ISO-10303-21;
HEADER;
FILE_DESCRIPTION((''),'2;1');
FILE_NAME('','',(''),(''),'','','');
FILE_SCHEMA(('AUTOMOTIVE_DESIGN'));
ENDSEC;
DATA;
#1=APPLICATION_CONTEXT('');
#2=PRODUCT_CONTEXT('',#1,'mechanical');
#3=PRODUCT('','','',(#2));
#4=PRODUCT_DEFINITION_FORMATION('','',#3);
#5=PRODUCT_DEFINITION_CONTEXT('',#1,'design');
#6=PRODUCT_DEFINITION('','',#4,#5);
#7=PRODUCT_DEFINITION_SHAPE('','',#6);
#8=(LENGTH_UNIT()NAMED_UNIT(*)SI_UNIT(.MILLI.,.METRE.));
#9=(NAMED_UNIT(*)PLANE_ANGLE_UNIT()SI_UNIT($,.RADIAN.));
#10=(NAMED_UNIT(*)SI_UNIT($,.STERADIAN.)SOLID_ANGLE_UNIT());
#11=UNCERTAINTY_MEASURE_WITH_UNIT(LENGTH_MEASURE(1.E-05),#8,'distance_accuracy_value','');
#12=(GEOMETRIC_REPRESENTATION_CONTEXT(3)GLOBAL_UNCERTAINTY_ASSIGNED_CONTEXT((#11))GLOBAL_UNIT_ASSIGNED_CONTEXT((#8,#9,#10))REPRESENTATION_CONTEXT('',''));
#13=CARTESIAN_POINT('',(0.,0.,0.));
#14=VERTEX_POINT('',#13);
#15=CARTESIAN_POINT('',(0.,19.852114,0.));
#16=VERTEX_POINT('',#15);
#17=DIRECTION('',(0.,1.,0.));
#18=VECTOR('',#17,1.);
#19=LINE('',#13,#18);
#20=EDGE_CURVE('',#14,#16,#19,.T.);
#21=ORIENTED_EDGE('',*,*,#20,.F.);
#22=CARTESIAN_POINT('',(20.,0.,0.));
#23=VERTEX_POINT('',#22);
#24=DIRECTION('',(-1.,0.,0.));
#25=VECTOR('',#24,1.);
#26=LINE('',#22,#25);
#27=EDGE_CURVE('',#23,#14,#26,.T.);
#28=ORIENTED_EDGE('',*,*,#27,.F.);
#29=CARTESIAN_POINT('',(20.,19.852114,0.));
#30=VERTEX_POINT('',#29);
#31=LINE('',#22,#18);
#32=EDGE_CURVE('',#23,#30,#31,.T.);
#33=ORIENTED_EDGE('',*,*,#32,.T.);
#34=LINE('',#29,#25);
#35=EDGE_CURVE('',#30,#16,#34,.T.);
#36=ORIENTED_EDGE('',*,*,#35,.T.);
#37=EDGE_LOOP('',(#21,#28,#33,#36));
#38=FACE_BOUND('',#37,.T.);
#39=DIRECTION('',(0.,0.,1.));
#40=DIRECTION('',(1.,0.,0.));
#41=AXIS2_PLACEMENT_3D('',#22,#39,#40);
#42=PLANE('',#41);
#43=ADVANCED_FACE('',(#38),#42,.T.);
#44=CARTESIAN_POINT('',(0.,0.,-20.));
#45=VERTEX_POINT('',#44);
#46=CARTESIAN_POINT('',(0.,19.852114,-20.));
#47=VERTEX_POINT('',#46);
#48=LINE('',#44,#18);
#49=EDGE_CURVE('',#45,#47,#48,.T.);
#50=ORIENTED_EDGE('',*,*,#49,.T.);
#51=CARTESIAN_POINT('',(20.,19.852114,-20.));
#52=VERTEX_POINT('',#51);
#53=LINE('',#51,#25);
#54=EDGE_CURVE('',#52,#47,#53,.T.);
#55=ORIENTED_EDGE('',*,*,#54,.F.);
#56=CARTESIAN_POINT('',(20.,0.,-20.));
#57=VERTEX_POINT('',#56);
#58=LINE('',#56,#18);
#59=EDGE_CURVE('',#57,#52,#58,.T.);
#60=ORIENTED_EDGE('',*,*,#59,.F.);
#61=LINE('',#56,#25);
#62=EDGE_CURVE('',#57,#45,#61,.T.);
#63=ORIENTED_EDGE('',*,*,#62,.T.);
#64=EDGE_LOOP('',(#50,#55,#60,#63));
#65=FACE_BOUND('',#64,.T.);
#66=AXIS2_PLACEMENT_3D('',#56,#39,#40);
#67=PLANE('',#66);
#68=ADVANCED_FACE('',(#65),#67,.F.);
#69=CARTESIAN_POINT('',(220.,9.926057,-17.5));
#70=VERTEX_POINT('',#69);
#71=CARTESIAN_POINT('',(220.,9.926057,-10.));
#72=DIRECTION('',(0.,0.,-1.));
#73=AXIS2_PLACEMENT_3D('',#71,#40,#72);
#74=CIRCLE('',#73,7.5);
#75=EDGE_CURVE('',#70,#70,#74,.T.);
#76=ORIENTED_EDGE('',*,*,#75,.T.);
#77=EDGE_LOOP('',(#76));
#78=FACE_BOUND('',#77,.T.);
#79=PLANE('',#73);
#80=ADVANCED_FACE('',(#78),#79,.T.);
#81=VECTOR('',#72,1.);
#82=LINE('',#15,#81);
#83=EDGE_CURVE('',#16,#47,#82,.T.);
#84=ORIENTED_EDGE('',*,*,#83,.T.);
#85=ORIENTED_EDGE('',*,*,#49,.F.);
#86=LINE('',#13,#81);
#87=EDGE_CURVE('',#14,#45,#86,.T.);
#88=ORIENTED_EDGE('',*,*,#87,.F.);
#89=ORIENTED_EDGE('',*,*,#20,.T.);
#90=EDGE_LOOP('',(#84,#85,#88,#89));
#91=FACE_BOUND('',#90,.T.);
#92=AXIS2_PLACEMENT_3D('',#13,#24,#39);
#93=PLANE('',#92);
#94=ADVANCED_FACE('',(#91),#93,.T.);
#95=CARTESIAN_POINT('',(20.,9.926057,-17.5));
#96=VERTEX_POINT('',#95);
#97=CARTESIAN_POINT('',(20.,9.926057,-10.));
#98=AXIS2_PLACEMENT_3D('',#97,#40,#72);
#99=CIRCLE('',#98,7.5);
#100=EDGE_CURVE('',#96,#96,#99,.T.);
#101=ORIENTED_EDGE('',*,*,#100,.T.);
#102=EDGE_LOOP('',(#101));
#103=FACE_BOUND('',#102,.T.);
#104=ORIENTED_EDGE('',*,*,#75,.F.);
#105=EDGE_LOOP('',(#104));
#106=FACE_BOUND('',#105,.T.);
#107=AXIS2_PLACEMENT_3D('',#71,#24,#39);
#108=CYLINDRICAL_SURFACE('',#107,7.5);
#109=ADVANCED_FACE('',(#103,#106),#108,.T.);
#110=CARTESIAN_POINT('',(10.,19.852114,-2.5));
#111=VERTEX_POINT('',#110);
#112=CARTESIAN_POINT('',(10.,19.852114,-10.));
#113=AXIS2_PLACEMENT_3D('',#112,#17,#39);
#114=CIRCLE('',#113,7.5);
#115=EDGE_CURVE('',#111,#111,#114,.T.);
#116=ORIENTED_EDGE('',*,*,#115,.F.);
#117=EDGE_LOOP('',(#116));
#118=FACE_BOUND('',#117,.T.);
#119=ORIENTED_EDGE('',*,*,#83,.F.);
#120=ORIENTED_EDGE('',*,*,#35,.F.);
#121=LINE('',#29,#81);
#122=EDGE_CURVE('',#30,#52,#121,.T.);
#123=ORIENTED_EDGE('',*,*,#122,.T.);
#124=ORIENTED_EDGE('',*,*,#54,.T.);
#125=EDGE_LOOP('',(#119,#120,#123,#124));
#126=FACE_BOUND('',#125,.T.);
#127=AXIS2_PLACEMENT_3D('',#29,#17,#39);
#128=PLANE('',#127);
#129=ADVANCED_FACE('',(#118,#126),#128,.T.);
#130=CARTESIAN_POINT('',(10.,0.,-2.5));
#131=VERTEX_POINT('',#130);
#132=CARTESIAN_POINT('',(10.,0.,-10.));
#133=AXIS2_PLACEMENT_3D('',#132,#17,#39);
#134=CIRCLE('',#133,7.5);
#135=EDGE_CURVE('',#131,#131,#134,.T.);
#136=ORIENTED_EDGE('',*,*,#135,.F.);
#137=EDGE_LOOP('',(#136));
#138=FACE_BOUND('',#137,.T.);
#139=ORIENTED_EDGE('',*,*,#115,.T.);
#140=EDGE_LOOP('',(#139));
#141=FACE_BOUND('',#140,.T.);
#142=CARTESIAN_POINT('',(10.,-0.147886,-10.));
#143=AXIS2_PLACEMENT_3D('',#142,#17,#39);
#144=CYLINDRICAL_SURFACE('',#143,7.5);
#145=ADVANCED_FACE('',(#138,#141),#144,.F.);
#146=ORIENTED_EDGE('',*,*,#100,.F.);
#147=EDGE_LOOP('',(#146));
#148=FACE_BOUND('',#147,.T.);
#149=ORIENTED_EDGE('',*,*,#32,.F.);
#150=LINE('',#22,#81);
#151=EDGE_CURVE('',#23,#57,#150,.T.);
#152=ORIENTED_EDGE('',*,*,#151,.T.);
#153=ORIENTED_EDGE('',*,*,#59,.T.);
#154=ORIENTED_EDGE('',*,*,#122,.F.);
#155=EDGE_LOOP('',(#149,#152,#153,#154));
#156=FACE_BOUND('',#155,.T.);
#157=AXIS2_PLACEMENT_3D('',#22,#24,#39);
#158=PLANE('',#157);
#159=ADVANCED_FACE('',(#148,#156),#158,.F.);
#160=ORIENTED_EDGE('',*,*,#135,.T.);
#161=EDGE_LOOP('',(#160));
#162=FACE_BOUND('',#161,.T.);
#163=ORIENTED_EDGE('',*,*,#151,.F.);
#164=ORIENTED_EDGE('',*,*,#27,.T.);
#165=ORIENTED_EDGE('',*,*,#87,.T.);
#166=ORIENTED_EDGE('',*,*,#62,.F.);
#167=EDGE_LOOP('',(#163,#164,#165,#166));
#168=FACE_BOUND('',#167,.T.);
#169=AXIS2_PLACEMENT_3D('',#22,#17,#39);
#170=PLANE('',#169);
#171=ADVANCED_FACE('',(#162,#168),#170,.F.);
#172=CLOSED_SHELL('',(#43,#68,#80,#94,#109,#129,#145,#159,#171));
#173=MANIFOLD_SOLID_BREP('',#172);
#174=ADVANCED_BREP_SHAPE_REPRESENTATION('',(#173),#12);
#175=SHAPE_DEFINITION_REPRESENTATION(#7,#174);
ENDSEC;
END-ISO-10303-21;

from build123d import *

# Parameters (mm, degrees)
SKETCH1_W           = 20
SKETCH1_H           = 19.85211399
BOSS_EXTRUDE1_DEPTH = 20
SKETCH2_R           = 7.5
CUT_EXTRUDE1_DEPTH  = 20
SKETCH3_R           = 7.5
BOSS_EXTRUDE2_DEPTH = 200


with BuildPart() as part:
    # Sketch1 → Boss-Extrude1 (new body)
    with BuildSketch(Plane(origin=(0, 0, 0), x_dir=(0, 0, -1), z_dir=(1, 0, 0))):
        with Locations((10, 9.926056995)):
            Rectangle(SKETCH1_W, SKETCH1_H)
    extrude(amount=BOSS_EXTRUDE1_DEPTH)

    # Sketch2 → Cut-Extrude1 (cut)
    with BuildSketch(Plane(origin=(0, 19.85211399, 0), x_dir=(1, 0, 0), z_dir=(0, 1, 0))):
        with Locations(Location((10, 10, 0), (0, 0, 270))):
            Circle(SKETCH2_R)
    extrude(amount=-CUT_EXTRUDE1_DEPTH, mode=Mode.SUBTRACT)

    # Sketch3 → Boss-Extrude2 (add)
    with BuildSketch(Plane(origin=(20, 0, 0), x_dir=(0, 0, -1), z_dir=(1, 0, 0))):
        with Locations((10, 9.926056995)):
            Circle(SKETCH3_R)
    extrude(amount=BOSS_EXTRUDE2_DEPTH)


solid = part.part
